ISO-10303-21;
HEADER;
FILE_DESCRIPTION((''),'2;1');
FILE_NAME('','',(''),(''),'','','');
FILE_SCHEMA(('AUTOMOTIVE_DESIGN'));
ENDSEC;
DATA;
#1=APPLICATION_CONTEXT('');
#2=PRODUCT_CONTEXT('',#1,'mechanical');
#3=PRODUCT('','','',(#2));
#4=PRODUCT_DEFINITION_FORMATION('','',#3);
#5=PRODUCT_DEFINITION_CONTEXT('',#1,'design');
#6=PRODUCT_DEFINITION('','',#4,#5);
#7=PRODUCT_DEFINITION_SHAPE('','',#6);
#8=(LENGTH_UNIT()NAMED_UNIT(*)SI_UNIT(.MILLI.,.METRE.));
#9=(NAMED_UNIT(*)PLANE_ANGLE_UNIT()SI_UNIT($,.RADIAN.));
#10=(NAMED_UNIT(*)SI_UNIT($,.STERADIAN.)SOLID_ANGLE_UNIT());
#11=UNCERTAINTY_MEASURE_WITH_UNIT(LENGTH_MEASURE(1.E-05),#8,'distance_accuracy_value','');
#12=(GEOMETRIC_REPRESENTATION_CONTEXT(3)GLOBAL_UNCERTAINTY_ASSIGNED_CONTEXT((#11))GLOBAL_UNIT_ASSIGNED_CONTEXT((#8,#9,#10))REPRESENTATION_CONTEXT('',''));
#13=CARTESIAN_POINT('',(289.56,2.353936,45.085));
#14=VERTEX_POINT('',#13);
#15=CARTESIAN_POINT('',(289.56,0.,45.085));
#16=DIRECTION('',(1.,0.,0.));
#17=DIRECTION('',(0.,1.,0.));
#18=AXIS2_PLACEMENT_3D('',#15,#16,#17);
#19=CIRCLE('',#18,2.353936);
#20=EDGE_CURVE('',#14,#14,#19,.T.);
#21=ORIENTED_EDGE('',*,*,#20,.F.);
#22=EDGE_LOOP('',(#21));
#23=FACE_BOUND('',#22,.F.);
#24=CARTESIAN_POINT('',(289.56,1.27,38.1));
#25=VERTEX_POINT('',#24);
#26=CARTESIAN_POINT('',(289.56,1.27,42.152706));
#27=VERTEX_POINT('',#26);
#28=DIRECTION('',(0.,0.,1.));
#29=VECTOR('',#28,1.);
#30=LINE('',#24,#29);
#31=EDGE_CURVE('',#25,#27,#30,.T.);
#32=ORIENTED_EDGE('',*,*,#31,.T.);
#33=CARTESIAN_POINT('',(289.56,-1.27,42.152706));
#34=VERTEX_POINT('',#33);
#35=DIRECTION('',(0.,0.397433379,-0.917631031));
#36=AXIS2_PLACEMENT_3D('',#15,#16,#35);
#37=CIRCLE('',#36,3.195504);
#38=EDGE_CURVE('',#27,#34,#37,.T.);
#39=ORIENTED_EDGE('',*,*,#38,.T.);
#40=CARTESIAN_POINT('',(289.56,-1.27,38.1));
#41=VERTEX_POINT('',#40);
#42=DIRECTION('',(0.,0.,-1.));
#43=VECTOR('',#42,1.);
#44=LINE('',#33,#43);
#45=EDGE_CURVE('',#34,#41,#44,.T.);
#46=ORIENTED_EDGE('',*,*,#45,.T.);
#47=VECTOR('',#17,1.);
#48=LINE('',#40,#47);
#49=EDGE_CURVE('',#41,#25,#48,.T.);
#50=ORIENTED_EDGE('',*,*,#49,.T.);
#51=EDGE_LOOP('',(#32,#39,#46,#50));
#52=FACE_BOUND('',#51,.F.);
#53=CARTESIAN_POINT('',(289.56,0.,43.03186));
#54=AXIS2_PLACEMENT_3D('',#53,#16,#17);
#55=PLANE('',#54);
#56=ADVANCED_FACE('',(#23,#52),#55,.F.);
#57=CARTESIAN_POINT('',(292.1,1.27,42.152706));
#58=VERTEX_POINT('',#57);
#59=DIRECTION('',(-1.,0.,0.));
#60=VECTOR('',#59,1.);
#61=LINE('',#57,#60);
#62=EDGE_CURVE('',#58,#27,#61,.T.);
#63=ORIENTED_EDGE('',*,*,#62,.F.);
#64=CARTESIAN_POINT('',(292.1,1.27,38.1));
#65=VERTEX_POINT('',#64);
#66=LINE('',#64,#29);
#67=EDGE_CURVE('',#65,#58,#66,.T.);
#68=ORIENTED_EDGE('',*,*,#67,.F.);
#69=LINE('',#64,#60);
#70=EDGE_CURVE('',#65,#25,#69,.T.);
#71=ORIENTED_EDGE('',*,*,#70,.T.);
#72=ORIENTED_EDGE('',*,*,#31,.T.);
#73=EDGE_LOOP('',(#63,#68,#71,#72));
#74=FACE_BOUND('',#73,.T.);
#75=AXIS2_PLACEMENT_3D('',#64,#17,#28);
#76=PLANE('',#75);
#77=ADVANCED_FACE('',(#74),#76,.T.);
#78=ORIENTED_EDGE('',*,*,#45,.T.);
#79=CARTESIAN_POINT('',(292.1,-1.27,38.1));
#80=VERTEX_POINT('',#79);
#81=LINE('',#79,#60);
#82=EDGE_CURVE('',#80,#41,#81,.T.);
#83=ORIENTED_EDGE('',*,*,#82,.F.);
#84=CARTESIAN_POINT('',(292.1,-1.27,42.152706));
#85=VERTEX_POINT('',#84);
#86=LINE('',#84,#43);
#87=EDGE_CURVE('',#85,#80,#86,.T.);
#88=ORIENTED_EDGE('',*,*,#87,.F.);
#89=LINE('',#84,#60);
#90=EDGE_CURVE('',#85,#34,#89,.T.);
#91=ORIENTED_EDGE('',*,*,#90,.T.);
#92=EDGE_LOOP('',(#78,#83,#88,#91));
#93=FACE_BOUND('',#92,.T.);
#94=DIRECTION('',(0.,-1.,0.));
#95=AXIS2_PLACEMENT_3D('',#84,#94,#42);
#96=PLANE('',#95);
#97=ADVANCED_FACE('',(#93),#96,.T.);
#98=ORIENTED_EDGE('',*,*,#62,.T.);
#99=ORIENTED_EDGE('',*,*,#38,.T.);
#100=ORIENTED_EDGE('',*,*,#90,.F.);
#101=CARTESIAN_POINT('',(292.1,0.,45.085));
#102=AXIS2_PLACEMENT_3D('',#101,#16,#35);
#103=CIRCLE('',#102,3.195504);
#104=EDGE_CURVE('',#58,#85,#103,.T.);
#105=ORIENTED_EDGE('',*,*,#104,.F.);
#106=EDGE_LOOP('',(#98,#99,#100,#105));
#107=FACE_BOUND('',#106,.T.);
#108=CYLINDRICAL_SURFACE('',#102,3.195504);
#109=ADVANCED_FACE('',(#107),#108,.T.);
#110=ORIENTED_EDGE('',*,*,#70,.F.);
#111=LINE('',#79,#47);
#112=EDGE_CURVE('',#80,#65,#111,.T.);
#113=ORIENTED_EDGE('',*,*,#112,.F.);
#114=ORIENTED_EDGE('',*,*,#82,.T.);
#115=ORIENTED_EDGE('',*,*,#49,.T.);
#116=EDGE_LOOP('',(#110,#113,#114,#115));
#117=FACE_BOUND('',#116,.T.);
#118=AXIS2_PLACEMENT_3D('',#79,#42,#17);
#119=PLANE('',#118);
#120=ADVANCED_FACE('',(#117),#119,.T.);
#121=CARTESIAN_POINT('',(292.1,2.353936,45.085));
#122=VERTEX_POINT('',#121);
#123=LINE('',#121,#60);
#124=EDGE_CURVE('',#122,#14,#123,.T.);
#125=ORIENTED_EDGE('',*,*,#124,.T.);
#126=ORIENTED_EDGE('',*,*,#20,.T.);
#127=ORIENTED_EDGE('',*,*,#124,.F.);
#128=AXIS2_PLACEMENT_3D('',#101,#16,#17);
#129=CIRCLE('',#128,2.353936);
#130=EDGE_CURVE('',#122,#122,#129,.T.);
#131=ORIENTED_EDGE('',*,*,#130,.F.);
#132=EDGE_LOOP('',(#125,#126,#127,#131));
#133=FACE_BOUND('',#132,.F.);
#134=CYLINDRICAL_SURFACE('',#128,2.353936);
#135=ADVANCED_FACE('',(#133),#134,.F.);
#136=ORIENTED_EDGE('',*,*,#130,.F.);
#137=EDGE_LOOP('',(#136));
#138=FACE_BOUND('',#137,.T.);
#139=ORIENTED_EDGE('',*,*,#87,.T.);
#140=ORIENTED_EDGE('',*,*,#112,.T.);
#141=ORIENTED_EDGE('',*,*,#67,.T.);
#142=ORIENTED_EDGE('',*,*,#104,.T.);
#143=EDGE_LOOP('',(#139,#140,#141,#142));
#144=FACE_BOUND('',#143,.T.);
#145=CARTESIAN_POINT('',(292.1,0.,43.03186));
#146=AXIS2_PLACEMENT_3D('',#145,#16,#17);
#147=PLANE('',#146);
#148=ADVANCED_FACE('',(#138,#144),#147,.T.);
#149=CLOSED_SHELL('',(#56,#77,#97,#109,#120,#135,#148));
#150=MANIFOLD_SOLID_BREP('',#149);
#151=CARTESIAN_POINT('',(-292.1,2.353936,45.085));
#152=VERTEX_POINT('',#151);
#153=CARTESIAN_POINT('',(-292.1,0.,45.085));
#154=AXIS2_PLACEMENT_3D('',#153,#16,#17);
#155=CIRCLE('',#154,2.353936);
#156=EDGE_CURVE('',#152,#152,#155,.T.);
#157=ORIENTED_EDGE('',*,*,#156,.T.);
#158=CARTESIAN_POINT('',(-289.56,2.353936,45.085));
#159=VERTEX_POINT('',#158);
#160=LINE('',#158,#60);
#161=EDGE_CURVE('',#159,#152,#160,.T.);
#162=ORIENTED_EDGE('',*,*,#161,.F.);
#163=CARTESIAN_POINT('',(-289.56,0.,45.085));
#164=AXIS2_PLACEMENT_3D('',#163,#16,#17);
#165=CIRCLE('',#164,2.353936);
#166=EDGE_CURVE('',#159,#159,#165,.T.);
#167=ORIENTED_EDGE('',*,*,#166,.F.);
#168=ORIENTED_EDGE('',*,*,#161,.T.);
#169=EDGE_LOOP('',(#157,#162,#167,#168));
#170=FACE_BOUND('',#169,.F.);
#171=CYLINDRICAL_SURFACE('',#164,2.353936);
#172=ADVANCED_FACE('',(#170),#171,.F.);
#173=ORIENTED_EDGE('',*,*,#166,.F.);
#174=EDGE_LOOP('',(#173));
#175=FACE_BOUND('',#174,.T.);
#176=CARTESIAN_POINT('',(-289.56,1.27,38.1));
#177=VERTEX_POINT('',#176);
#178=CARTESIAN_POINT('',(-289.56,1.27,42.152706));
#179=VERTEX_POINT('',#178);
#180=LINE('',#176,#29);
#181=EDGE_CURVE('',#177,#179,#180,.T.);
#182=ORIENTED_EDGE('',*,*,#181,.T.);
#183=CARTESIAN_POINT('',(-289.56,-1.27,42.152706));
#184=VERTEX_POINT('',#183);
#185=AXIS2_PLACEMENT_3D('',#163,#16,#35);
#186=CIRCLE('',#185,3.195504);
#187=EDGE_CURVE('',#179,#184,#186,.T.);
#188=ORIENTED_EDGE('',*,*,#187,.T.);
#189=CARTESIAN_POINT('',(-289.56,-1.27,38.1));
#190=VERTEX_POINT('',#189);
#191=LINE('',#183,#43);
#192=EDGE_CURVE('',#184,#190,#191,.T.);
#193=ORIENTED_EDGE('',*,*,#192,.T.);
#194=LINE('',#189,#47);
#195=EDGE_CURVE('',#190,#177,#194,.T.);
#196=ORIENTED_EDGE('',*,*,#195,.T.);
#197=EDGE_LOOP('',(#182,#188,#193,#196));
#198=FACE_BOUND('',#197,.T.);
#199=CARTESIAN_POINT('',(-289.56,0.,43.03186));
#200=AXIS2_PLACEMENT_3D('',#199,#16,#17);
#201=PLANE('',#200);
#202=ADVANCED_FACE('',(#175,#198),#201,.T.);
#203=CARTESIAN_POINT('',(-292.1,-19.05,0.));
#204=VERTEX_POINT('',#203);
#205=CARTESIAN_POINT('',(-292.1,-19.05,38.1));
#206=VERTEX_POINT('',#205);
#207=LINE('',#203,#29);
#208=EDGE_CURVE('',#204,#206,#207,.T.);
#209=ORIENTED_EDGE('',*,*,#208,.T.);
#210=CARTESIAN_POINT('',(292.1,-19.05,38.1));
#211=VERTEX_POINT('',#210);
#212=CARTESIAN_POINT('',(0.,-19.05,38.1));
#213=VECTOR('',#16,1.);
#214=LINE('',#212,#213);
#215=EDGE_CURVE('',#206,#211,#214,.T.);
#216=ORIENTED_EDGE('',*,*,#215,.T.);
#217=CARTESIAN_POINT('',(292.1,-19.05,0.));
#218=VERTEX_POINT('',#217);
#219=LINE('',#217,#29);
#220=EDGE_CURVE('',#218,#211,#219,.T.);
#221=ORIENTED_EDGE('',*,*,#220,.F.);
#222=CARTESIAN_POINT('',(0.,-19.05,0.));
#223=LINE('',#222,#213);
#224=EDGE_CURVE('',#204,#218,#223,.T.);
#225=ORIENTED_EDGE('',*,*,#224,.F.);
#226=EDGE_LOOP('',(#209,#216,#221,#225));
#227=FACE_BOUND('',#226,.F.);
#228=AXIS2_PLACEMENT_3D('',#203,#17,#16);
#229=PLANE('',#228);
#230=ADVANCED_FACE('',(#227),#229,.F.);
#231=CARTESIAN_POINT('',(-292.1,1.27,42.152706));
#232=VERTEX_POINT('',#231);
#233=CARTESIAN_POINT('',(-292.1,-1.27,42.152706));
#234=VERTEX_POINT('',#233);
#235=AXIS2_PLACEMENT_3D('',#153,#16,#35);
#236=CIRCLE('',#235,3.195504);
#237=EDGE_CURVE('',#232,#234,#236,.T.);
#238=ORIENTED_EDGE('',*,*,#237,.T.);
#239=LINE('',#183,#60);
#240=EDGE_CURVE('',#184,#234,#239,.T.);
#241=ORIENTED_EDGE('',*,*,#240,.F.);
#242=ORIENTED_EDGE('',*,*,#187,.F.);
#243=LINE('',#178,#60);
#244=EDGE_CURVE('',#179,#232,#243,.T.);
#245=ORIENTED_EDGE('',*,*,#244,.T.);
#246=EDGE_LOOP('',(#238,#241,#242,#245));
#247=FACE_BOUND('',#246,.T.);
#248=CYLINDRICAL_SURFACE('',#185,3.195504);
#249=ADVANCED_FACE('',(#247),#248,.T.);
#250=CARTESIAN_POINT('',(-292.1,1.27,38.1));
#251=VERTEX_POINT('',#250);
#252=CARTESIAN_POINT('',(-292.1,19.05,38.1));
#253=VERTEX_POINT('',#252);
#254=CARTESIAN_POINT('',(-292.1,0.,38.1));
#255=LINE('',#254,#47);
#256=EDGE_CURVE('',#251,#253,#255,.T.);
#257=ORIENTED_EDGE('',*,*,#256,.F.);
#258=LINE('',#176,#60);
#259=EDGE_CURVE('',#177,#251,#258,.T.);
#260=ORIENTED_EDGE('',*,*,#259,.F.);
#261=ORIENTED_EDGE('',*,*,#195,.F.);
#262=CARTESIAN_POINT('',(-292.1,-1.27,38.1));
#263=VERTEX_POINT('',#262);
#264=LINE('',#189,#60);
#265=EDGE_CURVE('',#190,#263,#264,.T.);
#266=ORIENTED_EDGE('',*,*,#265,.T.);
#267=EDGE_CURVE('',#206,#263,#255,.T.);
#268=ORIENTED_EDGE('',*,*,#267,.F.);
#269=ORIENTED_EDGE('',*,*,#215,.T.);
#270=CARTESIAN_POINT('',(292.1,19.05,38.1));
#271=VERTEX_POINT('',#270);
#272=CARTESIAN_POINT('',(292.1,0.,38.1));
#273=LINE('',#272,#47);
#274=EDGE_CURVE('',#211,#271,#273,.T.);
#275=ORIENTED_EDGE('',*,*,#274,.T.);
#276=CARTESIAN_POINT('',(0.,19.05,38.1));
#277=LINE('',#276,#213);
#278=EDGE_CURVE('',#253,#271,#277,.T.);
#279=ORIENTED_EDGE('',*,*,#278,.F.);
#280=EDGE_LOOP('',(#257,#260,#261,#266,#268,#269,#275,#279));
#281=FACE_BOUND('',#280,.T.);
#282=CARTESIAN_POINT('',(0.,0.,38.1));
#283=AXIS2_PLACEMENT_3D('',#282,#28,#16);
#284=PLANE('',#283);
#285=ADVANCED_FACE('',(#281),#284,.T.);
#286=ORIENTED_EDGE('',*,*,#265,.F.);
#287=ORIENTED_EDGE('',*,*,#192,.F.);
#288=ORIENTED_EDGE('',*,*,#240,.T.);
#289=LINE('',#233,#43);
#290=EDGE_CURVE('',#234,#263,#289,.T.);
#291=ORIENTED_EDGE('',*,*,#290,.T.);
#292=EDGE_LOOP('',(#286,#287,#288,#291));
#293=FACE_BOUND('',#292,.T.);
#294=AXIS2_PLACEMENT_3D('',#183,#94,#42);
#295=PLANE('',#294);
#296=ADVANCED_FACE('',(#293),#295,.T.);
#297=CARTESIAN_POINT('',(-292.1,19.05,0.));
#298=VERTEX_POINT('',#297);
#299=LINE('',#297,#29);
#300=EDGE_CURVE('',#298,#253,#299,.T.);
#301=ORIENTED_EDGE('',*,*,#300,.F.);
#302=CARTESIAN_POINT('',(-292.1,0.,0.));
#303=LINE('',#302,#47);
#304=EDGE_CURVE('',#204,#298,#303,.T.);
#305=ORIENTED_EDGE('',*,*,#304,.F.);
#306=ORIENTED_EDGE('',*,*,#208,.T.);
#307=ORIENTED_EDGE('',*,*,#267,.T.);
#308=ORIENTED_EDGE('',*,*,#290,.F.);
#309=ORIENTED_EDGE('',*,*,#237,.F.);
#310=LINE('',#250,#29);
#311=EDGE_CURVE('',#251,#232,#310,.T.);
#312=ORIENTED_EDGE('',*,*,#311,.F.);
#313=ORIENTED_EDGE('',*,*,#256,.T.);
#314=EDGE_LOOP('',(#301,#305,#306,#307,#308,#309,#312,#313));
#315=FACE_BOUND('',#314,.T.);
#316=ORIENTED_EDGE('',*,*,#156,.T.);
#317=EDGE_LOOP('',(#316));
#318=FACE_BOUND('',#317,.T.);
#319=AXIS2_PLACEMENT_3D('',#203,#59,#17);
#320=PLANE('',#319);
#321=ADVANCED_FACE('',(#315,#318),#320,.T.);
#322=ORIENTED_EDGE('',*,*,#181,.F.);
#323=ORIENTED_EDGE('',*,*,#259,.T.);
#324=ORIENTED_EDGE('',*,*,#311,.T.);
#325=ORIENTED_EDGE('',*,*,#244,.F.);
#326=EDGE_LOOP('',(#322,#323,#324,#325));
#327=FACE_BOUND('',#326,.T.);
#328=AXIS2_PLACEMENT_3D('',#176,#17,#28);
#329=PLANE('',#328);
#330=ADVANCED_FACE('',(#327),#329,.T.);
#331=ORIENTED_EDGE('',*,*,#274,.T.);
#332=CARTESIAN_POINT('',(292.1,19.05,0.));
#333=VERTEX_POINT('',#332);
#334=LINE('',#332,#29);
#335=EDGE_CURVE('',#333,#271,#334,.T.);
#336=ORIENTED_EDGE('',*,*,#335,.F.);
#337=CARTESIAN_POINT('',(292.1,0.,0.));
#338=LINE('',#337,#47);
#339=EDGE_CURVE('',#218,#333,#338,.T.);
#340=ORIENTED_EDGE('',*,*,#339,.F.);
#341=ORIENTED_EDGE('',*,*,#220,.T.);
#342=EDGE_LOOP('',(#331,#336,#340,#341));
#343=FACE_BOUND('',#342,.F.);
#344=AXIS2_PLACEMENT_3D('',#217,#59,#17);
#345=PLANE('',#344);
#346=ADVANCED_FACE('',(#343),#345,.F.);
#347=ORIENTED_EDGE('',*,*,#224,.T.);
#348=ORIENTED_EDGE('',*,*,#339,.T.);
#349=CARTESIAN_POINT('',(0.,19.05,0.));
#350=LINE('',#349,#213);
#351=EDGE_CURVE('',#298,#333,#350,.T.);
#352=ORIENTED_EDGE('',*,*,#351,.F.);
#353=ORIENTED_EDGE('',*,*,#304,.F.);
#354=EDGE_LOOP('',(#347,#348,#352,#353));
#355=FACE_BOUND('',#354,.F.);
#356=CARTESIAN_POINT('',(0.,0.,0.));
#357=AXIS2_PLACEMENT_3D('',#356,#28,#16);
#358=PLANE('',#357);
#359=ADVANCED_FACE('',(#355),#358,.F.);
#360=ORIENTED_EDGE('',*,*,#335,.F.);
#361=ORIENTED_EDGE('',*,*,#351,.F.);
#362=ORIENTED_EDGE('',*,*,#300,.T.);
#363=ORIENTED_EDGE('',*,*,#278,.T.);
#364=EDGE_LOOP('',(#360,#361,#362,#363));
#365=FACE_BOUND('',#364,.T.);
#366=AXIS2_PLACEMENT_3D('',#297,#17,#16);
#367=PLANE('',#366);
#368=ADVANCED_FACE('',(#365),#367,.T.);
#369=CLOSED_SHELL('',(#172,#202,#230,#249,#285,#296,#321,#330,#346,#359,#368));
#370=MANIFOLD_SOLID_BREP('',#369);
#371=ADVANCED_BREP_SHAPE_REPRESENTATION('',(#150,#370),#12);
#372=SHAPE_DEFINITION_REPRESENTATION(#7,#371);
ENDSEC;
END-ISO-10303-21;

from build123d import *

# Parameters (mm, degrees)
F0_W      = 584.2
F0_H      = 38.1
F1_DEPTH  = 38.1
F2_R      = 2.3539359474
F3_DEPTH  = 2.54
F4_START  = -581.66
F3_FACE_R = 2.3539359474
F4_DEPTH  = 2.54


with BuildPart() as f1:
    # F0 (on Top) → F1 (new body)
    with BuildSketch(Plane.XY):
        Rectangle(F0_W, F0_H)
    extrude(amount=F1_DEPTH)

    # F3_face (on face) → F4 (join)
    with BuildSketch(Plane(origin=(292.1, 0, 43.0586733638), x_dir=(0, 1, 0), z_dir=(1, 0, 0)).offset(F4_START)):
        with BuildLine():
            Line((-1.27, -0.9059671023), (-1.27, -4.9586733638))
            Line((-1.27, -4.9586733638), (1.27, -4.9586733638))
            Line((1.27, -4.9586733638), (1.27, -0.9059671023))
            ThreePointArc((1.27, -0.9059671023), (0, 5.2218307543), (-1.27, -0.9059671023))
        make_face()
        with Locations((0, 2.0263266362)):
            Circle(F3_FACE_R, mode=Mode.SUBTRACT)
    extrude(amount=-F4_DEPTH)


with BuildPart() as f3:
    # F2 (on face) → F3 (new body)
    with BuildSketch(Plane.YZ.offset(292.1)):
        with BuildLine():
            ThreePointArc((1.27, 42.1527062615), (0, 48.2805041181), (-1.27, 42.1527062615))
            Line((-1.27, 42.1527062615), (-1.27, 38.1))
            Line((-1.27, 38.1), (1.27, 38.1))
            Line((1.27, 38.1), (1.27, 42.1527062615))
        make_face()
        with Locations((0, 45.085)):
            Circle(F2_R, mode=Mode.SUBTRACT)
    extrude(amount=-F3_DEPTH)


solid = Compound([f1.part, f3.part])
